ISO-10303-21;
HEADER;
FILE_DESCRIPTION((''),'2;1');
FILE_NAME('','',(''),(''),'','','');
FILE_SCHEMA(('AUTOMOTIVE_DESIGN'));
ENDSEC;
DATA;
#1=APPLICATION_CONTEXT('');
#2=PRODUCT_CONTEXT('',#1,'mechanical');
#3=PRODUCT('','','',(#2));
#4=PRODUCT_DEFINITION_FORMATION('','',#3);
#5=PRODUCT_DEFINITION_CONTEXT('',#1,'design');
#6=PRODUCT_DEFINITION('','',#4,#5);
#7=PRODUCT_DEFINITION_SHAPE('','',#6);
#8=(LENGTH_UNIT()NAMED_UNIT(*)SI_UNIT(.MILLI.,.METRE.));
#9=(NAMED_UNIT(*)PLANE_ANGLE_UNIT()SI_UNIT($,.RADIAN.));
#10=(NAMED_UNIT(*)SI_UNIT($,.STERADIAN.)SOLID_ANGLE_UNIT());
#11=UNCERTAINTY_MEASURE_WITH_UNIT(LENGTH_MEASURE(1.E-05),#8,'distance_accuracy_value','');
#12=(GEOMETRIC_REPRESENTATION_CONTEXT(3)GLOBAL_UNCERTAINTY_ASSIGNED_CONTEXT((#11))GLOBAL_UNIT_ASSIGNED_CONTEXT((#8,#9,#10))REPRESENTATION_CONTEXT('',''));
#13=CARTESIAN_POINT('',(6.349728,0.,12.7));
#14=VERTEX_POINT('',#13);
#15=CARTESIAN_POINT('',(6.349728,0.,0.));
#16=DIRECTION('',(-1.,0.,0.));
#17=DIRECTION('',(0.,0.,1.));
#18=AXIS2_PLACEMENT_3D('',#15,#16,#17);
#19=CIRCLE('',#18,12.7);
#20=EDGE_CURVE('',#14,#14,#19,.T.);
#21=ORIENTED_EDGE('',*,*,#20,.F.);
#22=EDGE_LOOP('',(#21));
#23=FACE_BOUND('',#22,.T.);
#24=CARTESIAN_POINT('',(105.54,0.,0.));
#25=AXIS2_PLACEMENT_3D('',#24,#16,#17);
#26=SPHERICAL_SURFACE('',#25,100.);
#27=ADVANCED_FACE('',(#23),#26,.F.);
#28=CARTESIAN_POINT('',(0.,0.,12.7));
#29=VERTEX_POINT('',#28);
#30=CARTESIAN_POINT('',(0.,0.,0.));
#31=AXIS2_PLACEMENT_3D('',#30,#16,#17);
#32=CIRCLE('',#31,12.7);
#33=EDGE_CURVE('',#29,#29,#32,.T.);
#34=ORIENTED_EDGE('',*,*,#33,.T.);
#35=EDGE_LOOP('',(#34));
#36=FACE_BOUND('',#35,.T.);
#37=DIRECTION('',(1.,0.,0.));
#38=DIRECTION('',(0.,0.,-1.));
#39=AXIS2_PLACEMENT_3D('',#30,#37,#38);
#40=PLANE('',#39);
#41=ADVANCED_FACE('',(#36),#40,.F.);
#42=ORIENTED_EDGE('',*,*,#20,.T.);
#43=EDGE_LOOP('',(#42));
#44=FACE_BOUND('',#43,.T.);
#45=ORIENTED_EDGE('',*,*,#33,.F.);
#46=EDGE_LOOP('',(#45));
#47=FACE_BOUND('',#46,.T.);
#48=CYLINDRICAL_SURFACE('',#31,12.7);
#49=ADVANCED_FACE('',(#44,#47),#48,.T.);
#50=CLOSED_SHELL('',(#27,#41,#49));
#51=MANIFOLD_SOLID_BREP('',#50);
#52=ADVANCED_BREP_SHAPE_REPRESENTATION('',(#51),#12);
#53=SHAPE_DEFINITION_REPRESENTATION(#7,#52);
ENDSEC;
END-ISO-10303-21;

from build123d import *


with BuildPart() as part:
    # 草图1 → 旋转1 (revolve)
    with BuildSketch(Plane(origin=(0, 0, 0), x_dir=(1, 0, 0), z_dir=(0, 1, 0)), mode=Mode.PRIVATE) as revolve_1_sk:
        with BuildLine():
            Line((0, 0), (5.54, 0))
            ThreePointArc((5.54, 0), (5.742637384, 6.362893601), (6.3497283, 12.7))
            Line((6.3497283, 12.7), (0, 12.7))
            Line((0, 12.7), (0, 0))
        make_face()
    revolve(revolve_1_sk.sketch.rotate(Axis((0, 0, 0), (1, 0, 0)), 180), axis=Axis((0, 0, 0), (1, 0, 0)))  # turned: the seam where the file's is


solid = part.part
